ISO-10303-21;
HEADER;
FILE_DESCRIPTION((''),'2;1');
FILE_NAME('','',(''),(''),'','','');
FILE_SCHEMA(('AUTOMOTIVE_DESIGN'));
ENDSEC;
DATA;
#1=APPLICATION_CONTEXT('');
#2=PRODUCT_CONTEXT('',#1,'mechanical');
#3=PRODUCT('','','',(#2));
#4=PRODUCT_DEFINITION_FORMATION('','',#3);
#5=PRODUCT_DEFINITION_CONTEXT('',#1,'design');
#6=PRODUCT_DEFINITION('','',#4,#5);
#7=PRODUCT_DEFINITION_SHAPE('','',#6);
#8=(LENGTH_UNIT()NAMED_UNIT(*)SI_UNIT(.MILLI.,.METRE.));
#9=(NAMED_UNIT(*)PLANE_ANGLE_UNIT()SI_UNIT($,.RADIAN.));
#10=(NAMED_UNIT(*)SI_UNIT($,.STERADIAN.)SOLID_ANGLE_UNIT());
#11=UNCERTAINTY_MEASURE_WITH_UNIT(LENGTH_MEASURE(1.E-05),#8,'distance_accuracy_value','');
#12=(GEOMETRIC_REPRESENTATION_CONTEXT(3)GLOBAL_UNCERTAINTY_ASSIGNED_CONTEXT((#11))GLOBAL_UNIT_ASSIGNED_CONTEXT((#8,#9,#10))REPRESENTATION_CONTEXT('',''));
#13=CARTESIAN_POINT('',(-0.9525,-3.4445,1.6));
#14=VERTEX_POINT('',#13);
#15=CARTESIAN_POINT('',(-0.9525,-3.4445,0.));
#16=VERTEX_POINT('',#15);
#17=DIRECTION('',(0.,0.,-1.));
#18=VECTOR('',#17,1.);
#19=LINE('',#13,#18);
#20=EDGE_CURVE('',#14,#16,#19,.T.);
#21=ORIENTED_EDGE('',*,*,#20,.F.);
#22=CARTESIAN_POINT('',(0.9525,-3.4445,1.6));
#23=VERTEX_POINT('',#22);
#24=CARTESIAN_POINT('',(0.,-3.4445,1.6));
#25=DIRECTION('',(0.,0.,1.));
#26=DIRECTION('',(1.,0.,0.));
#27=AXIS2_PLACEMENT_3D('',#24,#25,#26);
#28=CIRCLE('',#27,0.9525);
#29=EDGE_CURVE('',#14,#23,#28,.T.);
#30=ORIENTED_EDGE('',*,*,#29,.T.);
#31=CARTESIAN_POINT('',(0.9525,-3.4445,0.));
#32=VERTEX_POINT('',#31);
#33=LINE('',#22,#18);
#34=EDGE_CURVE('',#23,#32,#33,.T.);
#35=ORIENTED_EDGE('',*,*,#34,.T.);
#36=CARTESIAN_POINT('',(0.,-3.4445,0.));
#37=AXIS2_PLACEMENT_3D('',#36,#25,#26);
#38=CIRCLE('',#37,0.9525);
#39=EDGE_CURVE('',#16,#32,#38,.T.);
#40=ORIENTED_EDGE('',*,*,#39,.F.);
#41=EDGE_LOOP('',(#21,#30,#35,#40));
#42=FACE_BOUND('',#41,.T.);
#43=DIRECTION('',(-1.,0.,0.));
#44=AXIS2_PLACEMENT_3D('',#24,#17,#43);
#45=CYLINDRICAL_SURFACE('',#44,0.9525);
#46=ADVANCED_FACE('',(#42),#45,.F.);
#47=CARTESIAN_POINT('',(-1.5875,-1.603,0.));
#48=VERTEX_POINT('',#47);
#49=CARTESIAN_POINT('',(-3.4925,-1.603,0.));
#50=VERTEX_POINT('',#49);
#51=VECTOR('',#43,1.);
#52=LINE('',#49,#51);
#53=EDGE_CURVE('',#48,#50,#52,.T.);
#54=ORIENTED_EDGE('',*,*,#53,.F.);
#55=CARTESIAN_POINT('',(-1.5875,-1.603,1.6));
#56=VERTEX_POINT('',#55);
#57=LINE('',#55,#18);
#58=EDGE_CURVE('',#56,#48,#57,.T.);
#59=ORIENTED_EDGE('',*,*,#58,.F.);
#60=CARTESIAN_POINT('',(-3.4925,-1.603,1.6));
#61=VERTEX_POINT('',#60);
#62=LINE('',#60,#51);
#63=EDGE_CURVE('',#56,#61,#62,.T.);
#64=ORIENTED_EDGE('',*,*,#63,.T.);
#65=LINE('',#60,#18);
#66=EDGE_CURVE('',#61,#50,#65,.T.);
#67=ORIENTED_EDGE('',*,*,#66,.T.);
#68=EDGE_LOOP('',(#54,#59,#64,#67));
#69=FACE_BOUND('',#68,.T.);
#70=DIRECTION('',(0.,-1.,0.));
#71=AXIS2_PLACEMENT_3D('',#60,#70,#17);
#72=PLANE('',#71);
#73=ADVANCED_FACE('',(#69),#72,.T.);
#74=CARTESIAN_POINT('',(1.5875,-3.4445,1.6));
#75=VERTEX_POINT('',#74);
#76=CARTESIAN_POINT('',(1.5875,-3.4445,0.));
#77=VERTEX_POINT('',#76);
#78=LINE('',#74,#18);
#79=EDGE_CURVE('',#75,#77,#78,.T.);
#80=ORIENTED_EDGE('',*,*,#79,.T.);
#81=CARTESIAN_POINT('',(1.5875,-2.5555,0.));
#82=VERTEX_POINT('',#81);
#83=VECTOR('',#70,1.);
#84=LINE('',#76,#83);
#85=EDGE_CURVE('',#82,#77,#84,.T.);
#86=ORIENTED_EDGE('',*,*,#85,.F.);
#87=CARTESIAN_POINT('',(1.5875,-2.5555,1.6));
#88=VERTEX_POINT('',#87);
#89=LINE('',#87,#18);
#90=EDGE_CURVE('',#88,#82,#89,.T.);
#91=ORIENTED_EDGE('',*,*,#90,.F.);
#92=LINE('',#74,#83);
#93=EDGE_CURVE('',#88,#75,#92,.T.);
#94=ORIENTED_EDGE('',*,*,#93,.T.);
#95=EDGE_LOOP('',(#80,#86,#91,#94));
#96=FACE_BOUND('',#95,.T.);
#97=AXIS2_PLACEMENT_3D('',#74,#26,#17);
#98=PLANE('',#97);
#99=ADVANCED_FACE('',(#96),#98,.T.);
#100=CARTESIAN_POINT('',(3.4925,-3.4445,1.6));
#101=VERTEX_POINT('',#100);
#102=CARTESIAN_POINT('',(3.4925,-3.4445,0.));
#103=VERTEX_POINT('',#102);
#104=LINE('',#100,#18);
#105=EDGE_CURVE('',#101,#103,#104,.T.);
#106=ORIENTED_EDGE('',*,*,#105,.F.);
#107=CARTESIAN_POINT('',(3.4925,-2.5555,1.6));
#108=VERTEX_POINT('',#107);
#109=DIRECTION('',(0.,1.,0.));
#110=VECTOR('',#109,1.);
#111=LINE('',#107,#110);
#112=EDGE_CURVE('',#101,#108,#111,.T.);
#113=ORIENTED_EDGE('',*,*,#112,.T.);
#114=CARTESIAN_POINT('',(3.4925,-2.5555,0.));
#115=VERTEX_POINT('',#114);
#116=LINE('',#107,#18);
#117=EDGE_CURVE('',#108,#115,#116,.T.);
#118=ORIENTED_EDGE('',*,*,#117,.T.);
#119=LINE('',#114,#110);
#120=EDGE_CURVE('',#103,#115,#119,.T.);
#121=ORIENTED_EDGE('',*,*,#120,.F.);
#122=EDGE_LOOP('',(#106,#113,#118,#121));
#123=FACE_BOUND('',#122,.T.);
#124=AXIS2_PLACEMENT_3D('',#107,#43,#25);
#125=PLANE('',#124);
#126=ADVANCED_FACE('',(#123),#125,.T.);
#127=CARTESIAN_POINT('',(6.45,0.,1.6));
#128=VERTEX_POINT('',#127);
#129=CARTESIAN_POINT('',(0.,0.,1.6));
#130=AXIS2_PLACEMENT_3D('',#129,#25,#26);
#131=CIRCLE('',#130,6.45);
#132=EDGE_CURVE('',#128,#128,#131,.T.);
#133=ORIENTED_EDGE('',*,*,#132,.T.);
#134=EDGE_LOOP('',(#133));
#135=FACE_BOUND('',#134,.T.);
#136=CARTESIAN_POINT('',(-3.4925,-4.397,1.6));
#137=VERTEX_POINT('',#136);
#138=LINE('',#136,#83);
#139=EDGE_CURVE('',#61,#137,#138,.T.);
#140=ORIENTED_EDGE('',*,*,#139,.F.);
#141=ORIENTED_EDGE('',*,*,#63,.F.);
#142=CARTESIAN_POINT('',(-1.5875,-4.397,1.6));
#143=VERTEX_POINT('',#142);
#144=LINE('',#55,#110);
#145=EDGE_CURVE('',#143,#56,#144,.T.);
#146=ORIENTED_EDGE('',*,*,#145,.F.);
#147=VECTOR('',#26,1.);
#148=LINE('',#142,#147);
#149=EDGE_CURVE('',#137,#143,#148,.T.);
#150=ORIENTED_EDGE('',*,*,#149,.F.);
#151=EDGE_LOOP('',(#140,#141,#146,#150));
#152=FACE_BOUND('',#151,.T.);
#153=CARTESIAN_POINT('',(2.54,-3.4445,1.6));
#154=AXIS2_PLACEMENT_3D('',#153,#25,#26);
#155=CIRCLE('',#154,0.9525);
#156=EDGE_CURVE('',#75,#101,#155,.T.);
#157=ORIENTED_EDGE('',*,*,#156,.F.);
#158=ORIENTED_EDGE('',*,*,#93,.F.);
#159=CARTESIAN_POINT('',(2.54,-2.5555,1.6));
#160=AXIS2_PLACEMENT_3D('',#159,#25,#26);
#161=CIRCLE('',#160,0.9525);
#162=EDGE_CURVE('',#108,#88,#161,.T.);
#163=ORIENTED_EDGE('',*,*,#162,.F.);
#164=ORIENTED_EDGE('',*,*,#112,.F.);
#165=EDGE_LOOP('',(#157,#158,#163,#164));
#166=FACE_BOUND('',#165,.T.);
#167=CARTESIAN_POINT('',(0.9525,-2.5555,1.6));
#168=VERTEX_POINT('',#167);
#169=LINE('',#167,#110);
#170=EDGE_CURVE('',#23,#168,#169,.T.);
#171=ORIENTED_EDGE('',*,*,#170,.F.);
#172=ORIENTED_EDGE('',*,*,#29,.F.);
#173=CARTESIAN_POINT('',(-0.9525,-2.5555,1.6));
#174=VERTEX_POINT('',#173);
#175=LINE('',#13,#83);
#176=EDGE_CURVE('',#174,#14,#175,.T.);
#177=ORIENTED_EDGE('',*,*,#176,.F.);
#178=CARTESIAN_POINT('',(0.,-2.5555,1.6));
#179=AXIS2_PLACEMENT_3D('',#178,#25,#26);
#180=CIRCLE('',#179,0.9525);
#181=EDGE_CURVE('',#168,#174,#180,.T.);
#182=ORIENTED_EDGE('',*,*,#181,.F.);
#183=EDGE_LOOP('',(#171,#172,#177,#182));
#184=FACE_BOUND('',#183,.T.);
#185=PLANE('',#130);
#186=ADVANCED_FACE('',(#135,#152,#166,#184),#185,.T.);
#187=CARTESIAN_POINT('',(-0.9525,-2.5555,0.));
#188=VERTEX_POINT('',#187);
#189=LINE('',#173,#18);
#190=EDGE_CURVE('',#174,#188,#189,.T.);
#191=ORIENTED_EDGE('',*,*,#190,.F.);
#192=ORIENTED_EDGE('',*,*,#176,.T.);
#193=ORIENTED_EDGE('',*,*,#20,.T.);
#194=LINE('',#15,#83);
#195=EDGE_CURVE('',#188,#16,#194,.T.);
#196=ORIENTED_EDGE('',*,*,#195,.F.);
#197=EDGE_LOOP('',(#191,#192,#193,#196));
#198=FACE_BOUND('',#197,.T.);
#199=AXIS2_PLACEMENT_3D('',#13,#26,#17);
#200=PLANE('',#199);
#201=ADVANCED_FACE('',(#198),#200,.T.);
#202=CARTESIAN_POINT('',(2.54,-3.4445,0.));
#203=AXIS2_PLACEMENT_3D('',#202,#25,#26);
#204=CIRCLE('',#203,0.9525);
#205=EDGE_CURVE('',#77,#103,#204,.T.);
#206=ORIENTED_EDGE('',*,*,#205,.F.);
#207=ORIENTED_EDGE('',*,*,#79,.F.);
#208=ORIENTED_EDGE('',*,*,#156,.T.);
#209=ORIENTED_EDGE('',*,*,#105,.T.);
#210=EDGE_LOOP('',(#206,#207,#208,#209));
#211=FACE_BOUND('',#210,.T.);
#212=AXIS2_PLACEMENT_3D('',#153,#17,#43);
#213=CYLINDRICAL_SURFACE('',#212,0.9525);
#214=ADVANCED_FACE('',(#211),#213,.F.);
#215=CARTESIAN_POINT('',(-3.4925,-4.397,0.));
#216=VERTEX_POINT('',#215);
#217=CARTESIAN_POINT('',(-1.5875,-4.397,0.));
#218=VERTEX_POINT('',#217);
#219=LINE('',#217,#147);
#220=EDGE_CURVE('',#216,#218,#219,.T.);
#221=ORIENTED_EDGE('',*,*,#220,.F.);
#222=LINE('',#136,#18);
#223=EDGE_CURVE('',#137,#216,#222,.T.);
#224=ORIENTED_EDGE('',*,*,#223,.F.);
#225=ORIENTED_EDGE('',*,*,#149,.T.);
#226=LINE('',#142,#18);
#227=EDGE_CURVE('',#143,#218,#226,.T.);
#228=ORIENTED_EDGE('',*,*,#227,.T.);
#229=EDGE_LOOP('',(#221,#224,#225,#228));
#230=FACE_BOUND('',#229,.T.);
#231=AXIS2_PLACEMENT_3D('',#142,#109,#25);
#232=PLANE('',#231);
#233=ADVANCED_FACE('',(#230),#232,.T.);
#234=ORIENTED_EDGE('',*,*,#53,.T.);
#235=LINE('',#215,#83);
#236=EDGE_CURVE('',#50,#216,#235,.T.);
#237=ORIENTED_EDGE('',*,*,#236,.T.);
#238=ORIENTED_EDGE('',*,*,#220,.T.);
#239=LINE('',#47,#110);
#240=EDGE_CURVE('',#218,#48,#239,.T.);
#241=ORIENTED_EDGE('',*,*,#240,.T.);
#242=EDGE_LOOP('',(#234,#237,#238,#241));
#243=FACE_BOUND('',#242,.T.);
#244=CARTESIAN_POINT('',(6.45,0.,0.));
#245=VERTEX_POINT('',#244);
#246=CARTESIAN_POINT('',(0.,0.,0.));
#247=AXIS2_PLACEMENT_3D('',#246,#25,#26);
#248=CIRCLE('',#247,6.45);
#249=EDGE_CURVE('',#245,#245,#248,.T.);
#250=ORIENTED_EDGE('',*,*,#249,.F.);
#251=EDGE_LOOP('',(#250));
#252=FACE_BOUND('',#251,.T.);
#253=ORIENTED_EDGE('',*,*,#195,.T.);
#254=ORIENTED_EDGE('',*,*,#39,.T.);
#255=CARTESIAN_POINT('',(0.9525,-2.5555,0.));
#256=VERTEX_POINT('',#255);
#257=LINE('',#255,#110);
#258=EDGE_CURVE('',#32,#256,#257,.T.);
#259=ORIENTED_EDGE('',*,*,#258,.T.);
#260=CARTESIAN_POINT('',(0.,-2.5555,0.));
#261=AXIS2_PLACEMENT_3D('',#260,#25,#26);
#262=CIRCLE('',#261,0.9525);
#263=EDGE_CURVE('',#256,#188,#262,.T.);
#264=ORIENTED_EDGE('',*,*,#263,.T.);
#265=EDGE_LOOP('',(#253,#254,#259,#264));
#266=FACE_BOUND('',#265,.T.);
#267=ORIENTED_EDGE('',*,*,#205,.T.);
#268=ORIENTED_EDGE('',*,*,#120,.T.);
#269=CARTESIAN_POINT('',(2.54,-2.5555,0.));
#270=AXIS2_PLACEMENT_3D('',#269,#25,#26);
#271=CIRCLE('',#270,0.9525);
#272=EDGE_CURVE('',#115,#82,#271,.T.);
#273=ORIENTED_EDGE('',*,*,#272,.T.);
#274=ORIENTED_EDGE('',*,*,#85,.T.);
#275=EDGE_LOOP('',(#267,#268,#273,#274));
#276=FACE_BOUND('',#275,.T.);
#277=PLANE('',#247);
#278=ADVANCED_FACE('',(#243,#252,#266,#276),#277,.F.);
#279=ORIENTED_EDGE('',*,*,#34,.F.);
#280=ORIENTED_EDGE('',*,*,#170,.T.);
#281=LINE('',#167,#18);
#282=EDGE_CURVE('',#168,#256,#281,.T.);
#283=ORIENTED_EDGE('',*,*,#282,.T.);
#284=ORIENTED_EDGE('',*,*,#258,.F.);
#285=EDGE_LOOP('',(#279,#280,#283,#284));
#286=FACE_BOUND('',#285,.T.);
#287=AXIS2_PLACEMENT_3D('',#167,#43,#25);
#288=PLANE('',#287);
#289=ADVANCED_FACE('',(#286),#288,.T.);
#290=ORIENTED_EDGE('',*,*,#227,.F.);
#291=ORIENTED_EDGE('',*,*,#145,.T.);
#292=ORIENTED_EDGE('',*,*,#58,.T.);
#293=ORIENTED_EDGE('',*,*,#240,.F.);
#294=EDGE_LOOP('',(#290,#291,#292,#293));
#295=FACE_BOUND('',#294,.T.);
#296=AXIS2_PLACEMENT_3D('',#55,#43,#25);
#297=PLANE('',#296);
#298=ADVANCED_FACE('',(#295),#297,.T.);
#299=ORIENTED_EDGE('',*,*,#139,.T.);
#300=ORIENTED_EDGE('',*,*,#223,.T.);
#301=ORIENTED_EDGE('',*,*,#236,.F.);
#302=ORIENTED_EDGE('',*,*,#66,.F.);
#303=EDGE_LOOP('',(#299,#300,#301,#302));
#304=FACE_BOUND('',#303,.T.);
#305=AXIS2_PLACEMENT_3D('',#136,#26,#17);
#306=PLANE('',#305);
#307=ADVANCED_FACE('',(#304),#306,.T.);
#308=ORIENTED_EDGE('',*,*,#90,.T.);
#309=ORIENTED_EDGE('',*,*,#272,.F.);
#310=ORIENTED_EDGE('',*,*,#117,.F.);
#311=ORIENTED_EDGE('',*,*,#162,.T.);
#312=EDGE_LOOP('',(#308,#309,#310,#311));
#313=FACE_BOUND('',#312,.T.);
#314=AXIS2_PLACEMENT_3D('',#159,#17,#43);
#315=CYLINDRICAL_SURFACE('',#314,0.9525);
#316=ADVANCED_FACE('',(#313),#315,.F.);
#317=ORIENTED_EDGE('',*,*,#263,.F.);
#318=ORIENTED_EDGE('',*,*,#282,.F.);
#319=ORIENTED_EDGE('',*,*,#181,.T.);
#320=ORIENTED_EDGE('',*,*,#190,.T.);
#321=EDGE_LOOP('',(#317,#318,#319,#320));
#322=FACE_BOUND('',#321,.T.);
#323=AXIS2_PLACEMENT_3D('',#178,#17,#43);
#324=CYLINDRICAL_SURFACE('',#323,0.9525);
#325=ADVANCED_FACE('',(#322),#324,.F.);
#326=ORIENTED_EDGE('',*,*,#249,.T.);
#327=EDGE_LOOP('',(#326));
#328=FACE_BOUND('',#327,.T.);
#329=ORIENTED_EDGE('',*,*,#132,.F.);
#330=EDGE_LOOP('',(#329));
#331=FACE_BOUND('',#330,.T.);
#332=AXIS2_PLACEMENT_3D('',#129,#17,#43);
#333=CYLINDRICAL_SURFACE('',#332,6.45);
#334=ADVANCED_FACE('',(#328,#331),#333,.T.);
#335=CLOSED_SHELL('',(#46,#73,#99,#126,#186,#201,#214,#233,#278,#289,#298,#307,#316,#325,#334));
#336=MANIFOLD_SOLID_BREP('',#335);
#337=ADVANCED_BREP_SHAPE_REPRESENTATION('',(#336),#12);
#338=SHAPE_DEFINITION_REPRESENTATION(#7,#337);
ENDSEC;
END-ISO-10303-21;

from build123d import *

# Parameters (mm, degrees)
MODEL_R            = 6.45
MODEL_W            = 1.905
MODEL_H            = 2.794
BOSS_EXTRU_1_DEPTH = 1.6


with BuildPart() as part:
    # Model → Boss.-Extru.1 (new body)
    with BuildSketch(Plane.XY):
        Circle(MODEL_R)
        with Locations((-2.54, -3)):
            Rectangle(MODEL_W, MODEL_H, mode=Mode.SUBTRACT)
        with BuildLine():
            Line((0.9525, -2.5555), (0.9525, -3.4445))
            ThreePointArc((0.9525, -3.4445), (0, -4.397), (-0.9525, -3.4445))
            Line((-0.9525, -3.4445), (-0.9525, -2.5555))
            ThreePointArc((-0.9525, -2.5555), (0, -1.603), (0.9525, -2.5555))
        make_face(mode=Mode.SUBTRACT)
        with BuildLine():
            Line((3.4925, -2.5555), (3.4925, -3.4445))
            ThreePointArc((3.4925, -3.4445), (2.54, -4.397), (1.5875, -3.4445))
            Line((1.5875, -3.4445), (1.5875, -2.5555))
            ThreePointArc((1.5875, -2.5555), (2.54, -1.603), (3.4925, -2.5555))
        make_face(mode=Mode.SUBTRACT)
    extrude(amount=BOSS_EXTRU_1_DEPTH)


solid = part.part
